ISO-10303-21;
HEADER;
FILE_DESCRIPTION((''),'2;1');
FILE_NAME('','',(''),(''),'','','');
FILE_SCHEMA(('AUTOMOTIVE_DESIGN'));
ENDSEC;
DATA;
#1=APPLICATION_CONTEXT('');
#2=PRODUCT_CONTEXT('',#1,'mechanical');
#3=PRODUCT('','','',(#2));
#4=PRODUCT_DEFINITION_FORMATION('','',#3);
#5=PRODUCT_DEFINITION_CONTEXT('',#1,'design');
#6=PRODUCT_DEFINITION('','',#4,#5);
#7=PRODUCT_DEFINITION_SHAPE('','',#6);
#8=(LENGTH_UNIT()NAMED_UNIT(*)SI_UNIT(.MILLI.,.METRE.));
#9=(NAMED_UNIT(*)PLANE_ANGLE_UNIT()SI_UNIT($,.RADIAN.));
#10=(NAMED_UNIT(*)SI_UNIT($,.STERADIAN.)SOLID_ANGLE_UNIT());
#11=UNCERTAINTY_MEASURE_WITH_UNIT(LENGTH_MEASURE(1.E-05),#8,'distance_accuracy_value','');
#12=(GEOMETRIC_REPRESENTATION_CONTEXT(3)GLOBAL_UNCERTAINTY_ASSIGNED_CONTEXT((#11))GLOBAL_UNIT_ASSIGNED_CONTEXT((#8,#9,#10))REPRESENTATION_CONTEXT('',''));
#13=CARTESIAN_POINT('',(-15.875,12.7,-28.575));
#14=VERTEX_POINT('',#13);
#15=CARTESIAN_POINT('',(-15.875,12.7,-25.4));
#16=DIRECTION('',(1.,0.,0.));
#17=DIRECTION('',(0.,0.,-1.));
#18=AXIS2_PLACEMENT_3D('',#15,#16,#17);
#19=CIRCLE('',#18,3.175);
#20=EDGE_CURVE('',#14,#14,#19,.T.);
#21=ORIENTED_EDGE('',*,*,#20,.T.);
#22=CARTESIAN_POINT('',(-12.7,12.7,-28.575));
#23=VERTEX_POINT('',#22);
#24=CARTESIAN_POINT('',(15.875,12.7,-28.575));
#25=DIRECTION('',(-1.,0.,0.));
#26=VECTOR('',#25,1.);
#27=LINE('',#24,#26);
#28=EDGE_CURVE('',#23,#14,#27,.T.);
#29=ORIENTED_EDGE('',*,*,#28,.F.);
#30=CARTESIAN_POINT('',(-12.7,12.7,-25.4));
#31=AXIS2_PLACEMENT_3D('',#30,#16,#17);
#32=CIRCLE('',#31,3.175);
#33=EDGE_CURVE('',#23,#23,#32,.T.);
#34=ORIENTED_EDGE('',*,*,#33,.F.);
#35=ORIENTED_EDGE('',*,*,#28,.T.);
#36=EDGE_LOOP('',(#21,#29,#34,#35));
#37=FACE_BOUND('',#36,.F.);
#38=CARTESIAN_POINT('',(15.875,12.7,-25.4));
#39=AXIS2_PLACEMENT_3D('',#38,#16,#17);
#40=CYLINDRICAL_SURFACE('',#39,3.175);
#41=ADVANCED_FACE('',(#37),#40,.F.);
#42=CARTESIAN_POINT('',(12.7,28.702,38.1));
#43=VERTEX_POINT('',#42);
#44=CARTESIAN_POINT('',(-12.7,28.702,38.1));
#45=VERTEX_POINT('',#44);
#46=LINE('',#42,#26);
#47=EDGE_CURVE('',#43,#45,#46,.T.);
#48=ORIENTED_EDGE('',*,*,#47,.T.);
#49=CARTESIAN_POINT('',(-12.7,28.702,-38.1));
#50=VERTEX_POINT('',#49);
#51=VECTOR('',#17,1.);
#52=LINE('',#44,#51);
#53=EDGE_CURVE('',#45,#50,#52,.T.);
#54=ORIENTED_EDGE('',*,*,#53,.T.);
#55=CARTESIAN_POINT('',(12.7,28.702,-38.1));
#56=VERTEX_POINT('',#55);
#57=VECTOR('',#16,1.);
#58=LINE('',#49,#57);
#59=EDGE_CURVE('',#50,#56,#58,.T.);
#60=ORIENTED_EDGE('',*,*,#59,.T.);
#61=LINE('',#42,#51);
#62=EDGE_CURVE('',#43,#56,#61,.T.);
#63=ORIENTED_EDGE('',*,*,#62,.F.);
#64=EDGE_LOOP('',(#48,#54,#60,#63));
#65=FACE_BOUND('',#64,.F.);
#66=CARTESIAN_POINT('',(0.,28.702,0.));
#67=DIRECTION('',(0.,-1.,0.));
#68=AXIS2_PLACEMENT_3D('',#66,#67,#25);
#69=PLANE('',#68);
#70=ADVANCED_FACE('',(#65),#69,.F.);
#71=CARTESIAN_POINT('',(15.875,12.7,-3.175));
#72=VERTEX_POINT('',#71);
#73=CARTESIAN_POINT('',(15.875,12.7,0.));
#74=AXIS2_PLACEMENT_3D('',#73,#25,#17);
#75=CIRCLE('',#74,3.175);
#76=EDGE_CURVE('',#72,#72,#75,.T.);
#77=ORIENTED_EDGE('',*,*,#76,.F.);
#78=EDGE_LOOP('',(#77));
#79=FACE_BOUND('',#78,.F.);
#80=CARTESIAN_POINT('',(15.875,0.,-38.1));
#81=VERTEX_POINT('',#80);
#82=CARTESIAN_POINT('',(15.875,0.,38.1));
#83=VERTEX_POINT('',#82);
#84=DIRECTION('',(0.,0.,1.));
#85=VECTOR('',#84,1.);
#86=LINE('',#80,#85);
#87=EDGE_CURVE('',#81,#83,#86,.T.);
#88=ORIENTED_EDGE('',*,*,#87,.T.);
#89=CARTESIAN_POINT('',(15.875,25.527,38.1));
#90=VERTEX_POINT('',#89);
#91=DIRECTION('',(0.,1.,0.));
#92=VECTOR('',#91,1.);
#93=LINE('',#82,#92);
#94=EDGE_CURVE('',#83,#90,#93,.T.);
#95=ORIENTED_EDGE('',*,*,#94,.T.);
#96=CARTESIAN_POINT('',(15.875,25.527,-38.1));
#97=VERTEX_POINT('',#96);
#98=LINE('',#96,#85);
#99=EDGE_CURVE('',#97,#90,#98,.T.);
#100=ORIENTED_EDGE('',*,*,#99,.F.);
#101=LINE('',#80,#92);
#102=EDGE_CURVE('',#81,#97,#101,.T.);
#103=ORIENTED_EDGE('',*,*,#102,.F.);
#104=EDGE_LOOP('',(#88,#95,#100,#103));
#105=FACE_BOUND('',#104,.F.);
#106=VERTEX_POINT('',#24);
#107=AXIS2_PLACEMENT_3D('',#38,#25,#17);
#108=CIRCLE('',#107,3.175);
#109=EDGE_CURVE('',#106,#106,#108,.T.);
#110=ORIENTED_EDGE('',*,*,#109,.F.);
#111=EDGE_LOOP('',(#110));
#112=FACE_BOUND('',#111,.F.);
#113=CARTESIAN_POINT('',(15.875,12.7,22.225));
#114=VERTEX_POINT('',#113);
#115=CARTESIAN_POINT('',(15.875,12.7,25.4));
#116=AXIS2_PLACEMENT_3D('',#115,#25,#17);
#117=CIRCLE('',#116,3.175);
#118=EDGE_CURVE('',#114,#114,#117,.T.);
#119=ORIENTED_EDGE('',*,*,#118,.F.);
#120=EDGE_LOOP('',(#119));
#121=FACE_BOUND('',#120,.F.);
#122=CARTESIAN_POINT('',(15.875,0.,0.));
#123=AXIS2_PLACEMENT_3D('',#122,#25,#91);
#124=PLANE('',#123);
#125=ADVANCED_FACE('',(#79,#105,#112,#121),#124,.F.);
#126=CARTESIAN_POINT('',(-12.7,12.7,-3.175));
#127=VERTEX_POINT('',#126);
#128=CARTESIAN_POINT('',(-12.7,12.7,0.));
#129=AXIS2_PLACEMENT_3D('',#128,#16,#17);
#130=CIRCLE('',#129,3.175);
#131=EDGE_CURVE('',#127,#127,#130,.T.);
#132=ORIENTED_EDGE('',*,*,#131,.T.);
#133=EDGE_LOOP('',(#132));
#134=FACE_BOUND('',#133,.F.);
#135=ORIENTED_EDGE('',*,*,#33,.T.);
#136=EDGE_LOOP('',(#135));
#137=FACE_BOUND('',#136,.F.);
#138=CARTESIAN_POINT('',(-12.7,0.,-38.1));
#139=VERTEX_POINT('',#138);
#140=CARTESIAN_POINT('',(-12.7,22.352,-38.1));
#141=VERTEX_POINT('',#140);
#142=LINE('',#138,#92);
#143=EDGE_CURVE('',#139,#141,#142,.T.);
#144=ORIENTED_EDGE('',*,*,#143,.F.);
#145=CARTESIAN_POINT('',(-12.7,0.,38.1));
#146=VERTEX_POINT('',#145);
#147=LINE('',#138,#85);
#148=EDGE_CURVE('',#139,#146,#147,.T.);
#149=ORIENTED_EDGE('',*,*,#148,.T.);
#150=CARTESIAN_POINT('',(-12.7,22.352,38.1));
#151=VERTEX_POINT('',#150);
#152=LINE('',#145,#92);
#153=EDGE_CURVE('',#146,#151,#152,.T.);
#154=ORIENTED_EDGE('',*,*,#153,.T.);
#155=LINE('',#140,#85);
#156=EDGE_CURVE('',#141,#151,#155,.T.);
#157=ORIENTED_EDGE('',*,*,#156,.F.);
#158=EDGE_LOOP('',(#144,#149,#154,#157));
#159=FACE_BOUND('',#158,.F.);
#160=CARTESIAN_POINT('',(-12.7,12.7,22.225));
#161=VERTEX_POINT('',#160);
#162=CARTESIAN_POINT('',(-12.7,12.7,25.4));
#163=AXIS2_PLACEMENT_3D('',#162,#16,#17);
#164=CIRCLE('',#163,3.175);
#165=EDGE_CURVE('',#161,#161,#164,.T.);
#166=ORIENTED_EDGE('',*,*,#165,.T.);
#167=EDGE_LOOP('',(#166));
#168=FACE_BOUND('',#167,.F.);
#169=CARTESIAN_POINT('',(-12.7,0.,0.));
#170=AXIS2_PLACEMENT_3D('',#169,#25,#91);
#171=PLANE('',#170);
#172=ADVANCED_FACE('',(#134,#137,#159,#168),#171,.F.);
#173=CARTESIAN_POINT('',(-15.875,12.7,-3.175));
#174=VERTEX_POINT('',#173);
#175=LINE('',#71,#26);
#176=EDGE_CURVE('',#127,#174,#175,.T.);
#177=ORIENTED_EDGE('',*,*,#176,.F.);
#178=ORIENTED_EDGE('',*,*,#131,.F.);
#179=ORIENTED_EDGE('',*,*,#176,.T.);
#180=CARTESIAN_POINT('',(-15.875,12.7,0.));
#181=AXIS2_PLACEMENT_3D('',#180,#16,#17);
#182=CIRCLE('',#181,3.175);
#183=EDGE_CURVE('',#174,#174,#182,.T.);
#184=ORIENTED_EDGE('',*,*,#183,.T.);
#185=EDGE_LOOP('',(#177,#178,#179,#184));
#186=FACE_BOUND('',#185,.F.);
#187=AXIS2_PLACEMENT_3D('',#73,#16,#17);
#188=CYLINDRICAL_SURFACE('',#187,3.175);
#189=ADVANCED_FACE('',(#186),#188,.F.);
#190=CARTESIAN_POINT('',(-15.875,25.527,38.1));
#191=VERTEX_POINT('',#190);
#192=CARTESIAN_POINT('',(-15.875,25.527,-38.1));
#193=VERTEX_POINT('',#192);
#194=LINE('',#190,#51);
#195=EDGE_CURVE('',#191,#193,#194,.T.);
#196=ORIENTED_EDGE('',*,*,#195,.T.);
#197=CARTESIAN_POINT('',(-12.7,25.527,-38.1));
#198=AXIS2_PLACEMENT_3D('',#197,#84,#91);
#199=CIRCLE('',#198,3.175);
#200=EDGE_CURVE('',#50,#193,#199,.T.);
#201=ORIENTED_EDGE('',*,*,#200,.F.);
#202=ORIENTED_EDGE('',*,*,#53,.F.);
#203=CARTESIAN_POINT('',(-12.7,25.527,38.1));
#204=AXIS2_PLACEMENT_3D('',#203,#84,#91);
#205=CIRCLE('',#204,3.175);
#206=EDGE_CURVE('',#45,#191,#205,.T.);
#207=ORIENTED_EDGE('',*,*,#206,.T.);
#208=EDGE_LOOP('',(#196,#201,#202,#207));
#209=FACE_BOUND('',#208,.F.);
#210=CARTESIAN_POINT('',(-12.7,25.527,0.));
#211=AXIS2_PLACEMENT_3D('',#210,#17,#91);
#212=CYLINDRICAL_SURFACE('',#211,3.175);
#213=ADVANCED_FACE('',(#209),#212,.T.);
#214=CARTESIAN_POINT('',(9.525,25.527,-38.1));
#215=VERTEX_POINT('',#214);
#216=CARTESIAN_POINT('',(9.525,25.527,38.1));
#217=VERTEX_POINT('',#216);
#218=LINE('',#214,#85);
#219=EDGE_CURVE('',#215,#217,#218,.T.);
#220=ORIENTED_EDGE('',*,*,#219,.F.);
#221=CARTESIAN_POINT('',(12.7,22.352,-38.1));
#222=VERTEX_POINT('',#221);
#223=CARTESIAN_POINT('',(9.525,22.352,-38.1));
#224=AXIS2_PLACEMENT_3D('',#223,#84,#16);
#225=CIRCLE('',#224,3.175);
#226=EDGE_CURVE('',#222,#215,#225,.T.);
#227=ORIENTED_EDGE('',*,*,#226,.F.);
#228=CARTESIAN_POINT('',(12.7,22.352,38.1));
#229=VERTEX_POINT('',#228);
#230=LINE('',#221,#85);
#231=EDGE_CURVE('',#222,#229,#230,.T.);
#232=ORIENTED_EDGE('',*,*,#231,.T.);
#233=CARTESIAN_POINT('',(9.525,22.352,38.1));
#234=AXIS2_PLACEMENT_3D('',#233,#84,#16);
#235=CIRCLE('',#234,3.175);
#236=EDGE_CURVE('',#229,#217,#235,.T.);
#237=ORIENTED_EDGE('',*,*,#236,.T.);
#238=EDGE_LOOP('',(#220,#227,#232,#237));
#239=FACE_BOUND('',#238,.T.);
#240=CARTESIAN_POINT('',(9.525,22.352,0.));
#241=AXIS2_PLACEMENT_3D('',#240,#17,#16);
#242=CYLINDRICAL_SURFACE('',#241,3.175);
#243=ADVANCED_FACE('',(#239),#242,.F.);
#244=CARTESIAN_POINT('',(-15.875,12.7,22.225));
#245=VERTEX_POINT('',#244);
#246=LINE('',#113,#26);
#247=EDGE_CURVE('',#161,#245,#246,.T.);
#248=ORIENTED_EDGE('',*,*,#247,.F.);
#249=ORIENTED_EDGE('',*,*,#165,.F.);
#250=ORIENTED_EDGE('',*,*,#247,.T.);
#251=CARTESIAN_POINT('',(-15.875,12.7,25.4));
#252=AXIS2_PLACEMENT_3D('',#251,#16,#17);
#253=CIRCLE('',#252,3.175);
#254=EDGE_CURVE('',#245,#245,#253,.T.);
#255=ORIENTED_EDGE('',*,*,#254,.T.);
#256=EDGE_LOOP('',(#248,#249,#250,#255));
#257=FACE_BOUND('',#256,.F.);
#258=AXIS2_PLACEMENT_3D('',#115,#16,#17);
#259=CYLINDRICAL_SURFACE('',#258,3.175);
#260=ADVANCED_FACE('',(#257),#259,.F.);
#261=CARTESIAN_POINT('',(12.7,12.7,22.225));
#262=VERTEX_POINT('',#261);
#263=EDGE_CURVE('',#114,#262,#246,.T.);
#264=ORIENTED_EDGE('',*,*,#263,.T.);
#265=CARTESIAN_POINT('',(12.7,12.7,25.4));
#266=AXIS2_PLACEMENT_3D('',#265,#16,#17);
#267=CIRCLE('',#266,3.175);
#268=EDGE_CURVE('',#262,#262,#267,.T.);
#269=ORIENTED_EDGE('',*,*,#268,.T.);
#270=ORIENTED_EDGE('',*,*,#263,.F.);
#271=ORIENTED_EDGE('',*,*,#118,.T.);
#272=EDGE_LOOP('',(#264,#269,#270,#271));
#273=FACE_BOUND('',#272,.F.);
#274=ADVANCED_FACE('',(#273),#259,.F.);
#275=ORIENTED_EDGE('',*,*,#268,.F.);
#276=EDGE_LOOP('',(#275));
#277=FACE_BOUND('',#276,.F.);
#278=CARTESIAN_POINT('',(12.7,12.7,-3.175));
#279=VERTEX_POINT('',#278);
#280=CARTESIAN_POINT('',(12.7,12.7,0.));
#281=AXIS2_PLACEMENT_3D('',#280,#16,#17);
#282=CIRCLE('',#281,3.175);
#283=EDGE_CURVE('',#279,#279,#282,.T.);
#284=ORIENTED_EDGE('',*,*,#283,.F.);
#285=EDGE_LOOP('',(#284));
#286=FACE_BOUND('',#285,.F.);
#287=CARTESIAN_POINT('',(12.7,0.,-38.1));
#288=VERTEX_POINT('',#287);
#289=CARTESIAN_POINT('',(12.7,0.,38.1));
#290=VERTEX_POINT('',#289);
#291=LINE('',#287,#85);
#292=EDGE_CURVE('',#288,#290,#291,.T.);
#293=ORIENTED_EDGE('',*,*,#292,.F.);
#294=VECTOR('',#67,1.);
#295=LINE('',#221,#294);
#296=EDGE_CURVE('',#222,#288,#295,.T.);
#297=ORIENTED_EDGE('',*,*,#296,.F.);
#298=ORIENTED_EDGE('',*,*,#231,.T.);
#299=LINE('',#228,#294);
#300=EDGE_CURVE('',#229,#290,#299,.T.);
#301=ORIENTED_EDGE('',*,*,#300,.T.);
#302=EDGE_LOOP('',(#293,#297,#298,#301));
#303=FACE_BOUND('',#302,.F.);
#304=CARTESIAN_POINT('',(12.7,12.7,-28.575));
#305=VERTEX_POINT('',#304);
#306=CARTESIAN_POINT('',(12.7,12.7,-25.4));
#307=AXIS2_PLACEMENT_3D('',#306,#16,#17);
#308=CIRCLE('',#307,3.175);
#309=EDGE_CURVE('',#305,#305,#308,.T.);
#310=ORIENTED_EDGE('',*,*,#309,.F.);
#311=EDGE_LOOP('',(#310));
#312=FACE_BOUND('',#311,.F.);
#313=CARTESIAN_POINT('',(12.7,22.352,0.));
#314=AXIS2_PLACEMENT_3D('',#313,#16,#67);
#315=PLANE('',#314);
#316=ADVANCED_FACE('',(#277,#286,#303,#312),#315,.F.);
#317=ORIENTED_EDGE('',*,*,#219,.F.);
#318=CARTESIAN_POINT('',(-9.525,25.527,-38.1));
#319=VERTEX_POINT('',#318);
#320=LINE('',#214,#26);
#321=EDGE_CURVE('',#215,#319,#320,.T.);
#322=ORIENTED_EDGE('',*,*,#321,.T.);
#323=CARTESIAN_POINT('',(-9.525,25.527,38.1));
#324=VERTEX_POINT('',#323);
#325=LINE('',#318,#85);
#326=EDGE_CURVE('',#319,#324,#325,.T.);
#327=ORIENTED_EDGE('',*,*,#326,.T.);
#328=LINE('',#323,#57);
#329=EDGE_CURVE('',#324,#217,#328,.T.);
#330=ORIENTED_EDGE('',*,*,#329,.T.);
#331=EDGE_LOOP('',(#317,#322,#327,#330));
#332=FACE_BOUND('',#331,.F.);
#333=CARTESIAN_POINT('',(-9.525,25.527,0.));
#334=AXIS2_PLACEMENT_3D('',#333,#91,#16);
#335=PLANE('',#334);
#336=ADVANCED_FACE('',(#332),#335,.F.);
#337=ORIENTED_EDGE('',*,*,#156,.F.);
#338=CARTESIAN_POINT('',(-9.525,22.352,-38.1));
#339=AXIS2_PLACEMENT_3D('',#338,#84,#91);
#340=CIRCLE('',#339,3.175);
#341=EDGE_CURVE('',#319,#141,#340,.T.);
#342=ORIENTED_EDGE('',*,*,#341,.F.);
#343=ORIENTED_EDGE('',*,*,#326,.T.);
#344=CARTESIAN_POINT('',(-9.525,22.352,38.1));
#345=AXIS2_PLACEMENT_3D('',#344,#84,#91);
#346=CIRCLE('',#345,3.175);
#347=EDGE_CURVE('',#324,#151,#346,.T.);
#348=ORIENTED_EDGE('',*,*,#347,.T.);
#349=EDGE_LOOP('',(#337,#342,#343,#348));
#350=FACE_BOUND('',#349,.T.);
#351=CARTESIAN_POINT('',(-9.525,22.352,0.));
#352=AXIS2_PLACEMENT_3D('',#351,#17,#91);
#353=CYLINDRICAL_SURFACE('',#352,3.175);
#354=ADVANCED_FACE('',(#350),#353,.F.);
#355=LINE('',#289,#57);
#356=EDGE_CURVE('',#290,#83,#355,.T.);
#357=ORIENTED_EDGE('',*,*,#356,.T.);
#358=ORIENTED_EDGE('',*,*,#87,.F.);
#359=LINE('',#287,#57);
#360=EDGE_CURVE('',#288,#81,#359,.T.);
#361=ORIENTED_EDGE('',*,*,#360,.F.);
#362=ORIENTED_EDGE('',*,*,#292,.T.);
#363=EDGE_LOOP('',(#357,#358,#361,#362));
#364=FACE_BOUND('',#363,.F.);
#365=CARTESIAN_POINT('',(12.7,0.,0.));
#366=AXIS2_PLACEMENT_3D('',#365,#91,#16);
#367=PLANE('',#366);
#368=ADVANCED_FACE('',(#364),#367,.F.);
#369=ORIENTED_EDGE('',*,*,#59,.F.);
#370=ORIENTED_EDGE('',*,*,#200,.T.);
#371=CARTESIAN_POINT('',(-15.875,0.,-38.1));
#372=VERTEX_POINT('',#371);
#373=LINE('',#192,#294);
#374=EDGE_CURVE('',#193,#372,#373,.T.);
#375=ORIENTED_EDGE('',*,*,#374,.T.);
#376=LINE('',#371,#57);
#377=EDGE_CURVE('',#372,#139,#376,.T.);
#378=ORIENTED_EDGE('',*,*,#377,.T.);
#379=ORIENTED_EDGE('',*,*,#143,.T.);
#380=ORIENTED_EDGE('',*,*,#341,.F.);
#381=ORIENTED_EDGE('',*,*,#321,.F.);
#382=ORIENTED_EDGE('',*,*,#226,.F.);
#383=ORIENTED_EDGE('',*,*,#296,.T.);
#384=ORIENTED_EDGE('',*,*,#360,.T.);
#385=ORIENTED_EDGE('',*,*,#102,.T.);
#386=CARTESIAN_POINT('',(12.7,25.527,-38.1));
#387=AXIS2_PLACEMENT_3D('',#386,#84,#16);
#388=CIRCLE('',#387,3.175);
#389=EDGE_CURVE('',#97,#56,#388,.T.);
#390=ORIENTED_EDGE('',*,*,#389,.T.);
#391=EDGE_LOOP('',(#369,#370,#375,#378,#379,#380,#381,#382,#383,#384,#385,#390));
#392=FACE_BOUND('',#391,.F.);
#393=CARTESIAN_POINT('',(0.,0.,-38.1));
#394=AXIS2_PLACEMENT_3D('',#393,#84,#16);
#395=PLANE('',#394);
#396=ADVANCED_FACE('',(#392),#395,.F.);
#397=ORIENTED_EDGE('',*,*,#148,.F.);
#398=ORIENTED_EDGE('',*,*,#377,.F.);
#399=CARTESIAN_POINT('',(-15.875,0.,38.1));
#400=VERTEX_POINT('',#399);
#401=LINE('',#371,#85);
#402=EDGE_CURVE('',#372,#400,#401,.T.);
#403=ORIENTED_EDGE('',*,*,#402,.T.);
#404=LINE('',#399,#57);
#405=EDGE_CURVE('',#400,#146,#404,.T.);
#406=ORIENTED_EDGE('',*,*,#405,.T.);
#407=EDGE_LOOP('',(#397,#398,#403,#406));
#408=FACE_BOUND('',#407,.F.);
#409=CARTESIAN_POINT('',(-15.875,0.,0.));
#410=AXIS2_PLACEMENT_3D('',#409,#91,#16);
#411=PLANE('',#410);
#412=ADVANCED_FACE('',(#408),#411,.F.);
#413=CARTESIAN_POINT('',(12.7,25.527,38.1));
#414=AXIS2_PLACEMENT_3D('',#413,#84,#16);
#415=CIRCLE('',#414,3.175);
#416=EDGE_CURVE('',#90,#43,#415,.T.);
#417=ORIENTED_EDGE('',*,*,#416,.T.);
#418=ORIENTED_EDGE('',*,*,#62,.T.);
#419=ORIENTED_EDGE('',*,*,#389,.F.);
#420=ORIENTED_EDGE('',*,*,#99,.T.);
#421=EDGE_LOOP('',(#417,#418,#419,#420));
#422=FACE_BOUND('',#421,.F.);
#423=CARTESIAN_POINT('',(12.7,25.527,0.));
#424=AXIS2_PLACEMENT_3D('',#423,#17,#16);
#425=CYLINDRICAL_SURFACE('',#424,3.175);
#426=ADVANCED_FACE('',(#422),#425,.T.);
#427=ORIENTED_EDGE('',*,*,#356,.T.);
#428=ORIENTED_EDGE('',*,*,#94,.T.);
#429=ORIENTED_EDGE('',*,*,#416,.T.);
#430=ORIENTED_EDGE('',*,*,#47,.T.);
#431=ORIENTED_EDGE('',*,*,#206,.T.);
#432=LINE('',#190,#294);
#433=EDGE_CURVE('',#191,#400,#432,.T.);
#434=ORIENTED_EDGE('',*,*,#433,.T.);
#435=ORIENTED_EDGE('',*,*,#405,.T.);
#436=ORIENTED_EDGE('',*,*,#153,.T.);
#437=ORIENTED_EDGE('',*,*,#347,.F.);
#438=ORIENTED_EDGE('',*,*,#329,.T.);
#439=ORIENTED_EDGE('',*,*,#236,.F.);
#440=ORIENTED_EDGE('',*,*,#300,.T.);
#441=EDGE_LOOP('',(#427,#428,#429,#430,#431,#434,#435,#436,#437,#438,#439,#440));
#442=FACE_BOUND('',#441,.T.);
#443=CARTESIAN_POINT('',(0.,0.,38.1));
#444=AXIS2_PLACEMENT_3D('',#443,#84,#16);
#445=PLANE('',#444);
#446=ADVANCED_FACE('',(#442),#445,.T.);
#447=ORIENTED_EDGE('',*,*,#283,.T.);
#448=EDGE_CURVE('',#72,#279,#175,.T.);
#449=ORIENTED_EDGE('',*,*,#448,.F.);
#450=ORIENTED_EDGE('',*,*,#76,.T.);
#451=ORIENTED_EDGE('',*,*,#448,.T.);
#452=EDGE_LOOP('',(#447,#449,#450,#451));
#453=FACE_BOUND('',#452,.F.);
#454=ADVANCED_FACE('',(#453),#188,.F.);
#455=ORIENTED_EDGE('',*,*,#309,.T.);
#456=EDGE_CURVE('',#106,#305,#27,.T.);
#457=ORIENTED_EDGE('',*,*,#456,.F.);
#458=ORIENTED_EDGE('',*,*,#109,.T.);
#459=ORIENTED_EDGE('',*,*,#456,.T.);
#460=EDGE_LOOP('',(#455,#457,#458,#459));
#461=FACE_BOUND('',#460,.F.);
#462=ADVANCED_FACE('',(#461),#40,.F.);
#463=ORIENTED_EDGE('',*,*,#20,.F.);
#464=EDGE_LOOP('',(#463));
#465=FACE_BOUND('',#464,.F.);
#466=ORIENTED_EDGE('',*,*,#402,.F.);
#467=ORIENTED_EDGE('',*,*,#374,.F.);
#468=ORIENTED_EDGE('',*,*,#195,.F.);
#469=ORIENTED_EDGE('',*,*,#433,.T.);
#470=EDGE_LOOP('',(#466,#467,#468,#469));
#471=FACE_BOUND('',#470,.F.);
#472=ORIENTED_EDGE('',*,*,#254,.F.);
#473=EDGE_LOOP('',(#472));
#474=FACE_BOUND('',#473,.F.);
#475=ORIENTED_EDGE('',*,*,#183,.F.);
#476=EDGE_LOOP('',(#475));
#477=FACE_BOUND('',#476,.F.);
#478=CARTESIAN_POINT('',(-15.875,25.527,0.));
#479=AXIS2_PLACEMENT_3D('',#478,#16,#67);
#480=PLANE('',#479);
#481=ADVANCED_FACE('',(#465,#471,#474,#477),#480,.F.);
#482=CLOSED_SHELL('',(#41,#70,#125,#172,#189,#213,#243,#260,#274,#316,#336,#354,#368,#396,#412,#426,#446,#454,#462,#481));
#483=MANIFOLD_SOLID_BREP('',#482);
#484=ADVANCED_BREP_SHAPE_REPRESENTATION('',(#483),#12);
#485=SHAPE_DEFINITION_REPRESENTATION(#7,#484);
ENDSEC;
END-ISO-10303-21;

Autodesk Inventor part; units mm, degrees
ref_plane "YZ Plane" through (0, 0, 0) normal (1, 0, 0) x (0, 1, 0)
ref_plane "XZ Plane" through (0, 0, 0) normal (0, 1, 0) x (-1, 0, 0)
ref_plane "XY Plane" through (0, 0, 0) normal (0, 0, 1) x (1, 0, 0)
sketch "Sketch1" plane through (0, 0, 0) normal (0, 0, 1) x (1, 0, 0)
  line L0 (-15.875, 0) -> (-12.7, 0)
  line L1 (-12.7, 0) -> (-12.7, 22.352)
  line L2 (-9.525, 25.527) -> (9.525, 25.527)
  line L3 (12.7, 22.352) -> (12.7, 0)
  line L4 (12.7, 0) -> (15.875, 0)
  line L5 (15.875, 0) -> (15.875, 25.527)
  line L6 (12.7, 28.702) -> (-12.7, 28.702)
  line L7 (-15.875, 25.527) -> (-15.875, 0)
  arc A0 (-9.525, 25.527) -> (-12.7, 22.352) centre (-9.525, 22.352) ccw
  arc A1 (12.7, 22.352) -> (9.525, 25.527) centre (9.525, 22.352) ccw
  arc A2 (-12.7, 28.702) -> (-15.875, 25.527) centre (-12.7, 25.527) ccw
  arc A3 (15.875, 25.527) -> (12.7, 28.702) centre (12.7, 25.527) ccw
  line L8 (0, 35.2315) -> (0, -5.8719) projected
  point P0 (0, 0)
  dimension "d0" = 28.702
  dimension "d1" = 31.75
  dimension "d2" = 3.175
  dimension "d3" = 3.175
  dimension "d4" = 3.175
extrude "Extrusion1" add sketch "Sketch1" along normal mid plane 76.2
sketch "Sketch4" plane through (15.875, 0, 38.1) normal (1, 0, 0) x (0, 0, -1)
  line L0 (-79.375, 0) -> (476.25, 0) projected
  line L1 (38.1, -5.7404) -> (38.1, 34.4424) projected
  circle A0 centre (38.1, 12.7) radius 3.175
  point P0 (38.1, 0)
  dimension "d35" = 12.7
  dimension "d36" = 0
  dimension "d37" = 6.35
extrude "Extrusion4" cut sketch "Sketch4" against normal up to surface (31.75 mm away)
pattern_linear "Rectangular Pattern3" count 20 spacing 25.4 along (0, 0, 1) count 20 spacing 25.4 along (0, 0, -1) of "Extrusion4"
equation "\"d5\" = SideLength"
equation "\"SideLength\" = 76.2"
properties part number "Electronics Board Raiser" material "Aluminum 6061"
